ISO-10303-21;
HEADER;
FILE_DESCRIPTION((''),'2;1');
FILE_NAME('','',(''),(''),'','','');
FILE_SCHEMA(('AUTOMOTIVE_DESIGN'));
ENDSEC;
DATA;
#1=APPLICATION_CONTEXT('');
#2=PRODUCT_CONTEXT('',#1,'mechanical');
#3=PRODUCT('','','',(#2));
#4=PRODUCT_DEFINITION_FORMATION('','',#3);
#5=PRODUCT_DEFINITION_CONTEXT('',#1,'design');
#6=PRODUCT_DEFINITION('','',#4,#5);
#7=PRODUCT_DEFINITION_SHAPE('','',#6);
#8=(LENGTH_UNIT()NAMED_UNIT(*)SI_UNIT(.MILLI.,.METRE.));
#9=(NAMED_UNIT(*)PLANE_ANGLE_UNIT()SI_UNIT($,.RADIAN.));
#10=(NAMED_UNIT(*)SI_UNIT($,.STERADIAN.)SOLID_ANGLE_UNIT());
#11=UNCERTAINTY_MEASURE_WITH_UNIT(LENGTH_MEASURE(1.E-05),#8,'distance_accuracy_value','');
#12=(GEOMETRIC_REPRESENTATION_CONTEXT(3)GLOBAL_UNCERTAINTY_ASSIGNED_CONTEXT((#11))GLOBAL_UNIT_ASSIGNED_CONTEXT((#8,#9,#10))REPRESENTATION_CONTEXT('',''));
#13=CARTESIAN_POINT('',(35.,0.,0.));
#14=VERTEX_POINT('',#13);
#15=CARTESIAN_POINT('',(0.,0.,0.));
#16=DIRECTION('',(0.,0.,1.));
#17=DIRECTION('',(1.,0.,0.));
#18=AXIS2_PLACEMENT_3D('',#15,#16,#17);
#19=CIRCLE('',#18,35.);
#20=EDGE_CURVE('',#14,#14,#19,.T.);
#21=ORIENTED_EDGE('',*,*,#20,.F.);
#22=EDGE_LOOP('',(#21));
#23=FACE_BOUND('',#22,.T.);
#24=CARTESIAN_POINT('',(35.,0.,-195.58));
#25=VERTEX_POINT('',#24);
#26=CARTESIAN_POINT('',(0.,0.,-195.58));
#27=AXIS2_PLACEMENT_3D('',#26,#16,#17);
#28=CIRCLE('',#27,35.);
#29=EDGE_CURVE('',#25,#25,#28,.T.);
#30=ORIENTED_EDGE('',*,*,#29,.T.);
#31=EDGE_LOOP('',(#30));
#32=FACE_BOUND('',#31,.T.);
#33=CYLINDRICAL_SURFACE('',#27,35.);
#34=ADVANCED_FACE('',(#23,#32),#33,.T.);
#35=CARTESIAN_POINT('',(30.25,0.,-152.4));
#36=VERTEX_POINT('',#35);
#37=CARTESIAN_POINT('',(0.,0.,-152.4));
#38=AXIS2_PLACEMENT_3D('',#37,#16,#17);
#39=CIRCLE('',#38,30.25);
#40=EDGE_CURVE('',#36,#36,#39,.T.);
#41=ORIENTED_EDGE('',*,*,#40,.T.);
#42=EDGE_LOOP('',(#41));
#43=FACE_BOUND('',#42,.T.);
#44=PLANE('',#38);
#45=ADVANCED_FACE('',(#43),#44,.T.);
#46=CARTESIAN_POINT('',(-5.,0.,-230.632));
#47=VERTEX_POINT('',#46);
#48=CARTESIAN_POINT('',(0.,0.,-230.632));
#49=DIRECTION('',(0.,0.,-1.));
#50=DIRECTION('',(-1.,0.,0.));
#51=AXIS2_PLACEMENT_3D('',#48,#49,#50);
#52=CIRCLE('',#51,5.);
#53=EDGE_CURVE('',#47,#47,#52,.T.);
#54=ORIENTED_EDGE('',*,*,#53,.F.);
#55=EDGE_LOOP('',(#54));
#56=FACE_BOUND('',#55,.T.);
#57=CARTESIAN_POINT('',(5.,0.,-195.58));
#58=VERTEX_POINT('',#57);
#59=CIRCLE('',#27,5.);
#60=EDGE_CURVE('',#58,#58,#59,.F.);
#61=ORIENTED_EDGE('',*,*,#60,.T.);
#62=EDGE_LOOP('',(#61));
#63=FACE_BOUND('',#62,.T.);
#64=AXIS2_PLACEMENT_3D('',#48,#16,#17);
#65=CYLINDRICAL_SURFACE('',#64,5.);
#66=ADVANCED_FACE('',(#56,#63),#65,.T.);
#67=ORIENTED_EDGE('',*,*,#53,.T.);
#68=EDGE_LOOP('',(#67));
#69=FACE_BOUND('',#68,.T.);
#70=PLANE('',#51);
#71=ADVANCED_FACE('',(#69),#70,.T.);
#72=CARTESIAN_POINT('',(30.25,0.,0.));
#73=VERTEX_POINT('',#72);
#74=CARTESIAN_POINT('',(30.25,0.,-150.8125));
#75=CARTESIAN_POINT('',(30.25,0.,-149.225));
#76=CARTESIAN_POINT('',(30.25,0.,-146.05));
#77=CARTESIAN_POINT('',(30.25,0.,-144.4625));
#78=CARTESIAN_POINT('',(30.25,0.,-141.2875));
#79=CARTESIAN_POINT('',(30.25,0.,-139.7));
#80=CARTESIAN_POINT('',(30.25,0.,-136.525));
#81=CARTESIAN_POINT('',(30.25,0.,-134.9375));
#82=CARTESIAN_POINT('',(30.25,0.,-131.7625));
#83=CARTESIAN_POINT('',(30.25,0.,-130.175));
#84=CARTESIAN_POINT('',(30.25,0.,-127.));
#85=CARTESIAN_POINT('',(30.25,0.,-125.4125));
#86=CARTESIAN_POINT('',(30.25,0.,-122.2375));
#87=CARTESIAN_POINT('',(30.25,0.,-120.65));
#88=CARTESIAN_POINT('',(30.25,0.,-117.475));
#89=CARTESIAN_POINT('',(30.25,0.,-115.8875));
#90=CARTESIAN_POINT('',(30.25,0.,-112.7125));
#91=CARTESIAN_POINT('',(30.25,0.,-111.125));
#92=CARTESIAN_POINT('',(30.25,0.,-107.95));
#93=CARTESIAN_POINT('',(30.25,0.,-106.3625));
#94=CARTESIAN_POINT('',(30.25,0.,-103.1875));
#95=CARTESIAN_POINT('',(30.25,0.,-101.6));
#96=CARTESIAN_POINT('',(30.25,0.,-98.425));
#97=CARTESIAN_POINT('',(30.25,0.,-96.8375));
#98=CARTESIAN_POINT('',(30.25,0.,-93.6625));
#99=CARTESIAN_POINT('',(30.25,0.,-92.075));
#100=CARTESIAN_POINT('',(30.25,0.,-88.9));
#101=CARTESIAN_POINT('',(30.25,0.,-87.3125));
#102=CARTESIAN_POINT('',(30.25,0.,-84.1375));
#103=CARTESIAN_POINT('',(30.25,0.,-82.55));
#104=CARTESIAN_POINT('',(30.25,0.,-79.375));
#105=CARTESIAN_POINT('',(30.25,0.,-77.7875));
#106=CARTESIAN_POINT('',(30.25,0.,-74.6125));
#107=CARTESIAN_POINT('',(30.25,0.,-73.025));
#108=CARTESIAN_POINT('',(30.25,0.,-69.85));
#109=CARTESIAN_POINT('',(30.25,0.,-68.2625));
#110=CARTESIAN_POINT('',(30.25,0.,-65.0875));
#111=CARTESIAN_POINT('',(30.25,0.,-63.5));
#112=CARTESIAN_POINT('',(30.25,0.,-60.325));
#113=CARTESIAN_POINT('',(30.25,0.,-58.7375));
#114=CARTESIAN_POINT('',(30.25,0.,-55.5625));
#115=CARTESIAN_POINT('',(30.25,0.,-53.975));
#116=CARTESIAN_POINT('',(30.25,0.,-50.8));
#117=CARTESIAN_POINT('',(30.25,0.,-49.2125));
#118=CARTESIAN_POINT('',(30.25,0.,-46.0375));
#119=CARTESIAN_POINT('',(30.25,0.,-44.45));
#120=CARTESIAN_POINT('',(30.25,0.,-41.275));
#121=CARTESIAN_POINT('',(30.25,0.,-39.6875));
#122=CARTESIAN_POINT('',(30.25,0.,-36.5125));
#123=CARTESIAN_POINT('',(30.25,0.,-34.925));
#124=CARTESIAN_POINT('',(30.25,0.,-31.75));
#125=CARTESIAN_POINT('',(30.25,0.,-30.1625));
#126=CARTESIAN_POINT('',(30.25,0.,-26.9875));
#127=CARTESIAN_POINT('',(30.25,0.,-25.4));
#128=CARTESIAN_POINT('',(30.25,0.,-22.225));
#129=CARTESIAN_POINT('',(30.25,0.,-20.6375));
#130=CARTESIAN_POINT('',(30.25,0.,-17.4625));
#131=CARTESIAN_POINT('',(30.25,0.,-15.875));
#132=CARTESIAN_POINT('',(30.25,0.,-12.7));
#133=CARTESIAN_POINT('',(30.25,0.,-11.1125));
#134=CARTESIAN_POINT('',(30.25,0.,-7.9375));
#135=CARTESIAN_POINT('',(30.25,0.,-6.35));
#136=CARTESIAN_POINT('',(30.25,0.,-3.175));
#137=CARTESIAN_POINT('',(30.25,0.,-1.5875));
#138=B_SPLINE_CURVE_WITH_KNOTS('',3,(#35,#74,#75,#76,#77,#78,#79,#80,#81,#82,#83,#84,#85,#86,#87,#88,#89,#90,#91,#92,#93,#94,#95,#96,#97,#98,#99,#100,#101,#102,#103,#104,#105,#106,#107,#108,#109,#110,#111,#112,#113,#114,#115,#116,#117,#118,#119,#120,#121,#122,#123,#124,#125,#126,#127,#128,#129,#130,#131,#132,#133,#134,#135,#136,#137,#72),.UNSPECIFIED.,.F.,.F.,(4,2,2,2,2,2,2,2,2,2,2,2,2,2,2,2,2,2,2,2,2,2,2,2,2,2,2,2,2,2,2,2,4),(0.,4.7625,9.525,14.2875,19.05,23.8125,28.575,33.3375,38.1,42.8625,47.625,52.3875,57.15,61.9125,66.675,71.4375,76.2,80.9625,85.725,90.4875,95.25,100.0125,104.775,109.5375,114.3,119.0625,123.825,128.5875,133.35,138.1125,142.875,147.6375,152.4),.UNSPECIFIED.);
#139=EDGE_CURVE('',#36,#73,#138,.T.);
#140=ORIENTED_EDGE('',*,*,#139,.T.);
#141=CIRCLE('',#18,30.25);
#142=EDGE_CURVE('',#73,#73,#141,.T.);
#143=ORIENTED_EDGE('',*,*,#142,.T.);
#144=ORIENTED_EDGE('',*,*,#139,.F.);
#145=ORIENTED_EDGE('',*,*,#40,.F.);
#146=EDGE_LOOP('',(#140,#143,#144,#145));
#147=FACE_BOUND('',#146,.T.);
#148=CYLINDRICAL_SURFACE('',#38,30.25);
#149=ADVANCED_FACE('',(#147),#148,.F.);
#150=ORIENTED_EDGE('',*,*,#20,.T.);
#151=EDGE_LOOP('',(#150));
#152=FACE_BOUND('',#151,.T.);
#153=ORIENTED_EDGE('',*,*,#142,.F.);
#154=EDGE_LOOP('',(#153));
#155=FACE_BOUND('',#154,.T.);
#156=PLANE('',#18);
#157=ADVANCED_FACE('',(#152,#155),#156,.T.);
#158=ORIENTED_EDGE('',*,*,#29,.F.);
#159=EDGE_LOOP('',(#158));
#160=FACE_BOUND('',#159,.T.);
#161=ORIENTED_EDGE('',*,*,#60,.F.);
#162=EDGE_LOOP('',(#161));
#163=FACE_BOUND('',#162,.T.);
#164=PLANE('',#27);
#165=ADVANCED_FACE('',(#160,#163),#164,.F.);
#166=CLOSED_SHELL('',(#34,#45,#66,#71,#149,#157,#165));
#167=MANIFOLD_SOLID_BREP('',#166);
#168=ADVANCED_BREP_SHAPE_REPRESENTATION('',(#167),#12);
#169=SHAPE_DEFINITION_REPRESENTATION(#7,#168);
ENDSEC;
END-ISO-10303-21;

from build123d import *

# Parameters (mm, degrees)
SKETCH1_R           = 35
BOSS_EXTRUDE1_DEPTH = 195.58
SKETCH2_R           = 5
BOSS_EXTRUDE2_DEPTH = 35.052
SKETCH5_R           = 30.25
CUT_EXTRUDE1_DEPTH  = 152.4


with BuildPart() as part:
    # Sketch1 → Boss-Extrude1 (new body)
    with BuildSketch(Plane.XY):
        Circle(SKETCH1_R)
    extrude(amount=-BOSS_EXTRUDE1_DEPTH)

    # Sketch2 → Boss-Extrude2 (add)
    with BuildSketch(Plane(origin=(0, 0, -195.58), x_dir=(-1, 0, 0), z_dir=(0, 0, -1))):
        with Locations(Location((0, 0, 0), (0, 0, 180))):
            Circle(SKETCH2_R)
    extrude(amount=BOSS_EXTRUDE2_DEPTH)

    # Sketch5 → Cut-Extrude1 (cut)
    with BuildSketch(Plane.XY):
        Circle(SKETCH5_R)
    extrude(amount=-CUT_EXTRUDE1_DEPTH, mode=Mode.SUBTRACT)


solid = part.part
